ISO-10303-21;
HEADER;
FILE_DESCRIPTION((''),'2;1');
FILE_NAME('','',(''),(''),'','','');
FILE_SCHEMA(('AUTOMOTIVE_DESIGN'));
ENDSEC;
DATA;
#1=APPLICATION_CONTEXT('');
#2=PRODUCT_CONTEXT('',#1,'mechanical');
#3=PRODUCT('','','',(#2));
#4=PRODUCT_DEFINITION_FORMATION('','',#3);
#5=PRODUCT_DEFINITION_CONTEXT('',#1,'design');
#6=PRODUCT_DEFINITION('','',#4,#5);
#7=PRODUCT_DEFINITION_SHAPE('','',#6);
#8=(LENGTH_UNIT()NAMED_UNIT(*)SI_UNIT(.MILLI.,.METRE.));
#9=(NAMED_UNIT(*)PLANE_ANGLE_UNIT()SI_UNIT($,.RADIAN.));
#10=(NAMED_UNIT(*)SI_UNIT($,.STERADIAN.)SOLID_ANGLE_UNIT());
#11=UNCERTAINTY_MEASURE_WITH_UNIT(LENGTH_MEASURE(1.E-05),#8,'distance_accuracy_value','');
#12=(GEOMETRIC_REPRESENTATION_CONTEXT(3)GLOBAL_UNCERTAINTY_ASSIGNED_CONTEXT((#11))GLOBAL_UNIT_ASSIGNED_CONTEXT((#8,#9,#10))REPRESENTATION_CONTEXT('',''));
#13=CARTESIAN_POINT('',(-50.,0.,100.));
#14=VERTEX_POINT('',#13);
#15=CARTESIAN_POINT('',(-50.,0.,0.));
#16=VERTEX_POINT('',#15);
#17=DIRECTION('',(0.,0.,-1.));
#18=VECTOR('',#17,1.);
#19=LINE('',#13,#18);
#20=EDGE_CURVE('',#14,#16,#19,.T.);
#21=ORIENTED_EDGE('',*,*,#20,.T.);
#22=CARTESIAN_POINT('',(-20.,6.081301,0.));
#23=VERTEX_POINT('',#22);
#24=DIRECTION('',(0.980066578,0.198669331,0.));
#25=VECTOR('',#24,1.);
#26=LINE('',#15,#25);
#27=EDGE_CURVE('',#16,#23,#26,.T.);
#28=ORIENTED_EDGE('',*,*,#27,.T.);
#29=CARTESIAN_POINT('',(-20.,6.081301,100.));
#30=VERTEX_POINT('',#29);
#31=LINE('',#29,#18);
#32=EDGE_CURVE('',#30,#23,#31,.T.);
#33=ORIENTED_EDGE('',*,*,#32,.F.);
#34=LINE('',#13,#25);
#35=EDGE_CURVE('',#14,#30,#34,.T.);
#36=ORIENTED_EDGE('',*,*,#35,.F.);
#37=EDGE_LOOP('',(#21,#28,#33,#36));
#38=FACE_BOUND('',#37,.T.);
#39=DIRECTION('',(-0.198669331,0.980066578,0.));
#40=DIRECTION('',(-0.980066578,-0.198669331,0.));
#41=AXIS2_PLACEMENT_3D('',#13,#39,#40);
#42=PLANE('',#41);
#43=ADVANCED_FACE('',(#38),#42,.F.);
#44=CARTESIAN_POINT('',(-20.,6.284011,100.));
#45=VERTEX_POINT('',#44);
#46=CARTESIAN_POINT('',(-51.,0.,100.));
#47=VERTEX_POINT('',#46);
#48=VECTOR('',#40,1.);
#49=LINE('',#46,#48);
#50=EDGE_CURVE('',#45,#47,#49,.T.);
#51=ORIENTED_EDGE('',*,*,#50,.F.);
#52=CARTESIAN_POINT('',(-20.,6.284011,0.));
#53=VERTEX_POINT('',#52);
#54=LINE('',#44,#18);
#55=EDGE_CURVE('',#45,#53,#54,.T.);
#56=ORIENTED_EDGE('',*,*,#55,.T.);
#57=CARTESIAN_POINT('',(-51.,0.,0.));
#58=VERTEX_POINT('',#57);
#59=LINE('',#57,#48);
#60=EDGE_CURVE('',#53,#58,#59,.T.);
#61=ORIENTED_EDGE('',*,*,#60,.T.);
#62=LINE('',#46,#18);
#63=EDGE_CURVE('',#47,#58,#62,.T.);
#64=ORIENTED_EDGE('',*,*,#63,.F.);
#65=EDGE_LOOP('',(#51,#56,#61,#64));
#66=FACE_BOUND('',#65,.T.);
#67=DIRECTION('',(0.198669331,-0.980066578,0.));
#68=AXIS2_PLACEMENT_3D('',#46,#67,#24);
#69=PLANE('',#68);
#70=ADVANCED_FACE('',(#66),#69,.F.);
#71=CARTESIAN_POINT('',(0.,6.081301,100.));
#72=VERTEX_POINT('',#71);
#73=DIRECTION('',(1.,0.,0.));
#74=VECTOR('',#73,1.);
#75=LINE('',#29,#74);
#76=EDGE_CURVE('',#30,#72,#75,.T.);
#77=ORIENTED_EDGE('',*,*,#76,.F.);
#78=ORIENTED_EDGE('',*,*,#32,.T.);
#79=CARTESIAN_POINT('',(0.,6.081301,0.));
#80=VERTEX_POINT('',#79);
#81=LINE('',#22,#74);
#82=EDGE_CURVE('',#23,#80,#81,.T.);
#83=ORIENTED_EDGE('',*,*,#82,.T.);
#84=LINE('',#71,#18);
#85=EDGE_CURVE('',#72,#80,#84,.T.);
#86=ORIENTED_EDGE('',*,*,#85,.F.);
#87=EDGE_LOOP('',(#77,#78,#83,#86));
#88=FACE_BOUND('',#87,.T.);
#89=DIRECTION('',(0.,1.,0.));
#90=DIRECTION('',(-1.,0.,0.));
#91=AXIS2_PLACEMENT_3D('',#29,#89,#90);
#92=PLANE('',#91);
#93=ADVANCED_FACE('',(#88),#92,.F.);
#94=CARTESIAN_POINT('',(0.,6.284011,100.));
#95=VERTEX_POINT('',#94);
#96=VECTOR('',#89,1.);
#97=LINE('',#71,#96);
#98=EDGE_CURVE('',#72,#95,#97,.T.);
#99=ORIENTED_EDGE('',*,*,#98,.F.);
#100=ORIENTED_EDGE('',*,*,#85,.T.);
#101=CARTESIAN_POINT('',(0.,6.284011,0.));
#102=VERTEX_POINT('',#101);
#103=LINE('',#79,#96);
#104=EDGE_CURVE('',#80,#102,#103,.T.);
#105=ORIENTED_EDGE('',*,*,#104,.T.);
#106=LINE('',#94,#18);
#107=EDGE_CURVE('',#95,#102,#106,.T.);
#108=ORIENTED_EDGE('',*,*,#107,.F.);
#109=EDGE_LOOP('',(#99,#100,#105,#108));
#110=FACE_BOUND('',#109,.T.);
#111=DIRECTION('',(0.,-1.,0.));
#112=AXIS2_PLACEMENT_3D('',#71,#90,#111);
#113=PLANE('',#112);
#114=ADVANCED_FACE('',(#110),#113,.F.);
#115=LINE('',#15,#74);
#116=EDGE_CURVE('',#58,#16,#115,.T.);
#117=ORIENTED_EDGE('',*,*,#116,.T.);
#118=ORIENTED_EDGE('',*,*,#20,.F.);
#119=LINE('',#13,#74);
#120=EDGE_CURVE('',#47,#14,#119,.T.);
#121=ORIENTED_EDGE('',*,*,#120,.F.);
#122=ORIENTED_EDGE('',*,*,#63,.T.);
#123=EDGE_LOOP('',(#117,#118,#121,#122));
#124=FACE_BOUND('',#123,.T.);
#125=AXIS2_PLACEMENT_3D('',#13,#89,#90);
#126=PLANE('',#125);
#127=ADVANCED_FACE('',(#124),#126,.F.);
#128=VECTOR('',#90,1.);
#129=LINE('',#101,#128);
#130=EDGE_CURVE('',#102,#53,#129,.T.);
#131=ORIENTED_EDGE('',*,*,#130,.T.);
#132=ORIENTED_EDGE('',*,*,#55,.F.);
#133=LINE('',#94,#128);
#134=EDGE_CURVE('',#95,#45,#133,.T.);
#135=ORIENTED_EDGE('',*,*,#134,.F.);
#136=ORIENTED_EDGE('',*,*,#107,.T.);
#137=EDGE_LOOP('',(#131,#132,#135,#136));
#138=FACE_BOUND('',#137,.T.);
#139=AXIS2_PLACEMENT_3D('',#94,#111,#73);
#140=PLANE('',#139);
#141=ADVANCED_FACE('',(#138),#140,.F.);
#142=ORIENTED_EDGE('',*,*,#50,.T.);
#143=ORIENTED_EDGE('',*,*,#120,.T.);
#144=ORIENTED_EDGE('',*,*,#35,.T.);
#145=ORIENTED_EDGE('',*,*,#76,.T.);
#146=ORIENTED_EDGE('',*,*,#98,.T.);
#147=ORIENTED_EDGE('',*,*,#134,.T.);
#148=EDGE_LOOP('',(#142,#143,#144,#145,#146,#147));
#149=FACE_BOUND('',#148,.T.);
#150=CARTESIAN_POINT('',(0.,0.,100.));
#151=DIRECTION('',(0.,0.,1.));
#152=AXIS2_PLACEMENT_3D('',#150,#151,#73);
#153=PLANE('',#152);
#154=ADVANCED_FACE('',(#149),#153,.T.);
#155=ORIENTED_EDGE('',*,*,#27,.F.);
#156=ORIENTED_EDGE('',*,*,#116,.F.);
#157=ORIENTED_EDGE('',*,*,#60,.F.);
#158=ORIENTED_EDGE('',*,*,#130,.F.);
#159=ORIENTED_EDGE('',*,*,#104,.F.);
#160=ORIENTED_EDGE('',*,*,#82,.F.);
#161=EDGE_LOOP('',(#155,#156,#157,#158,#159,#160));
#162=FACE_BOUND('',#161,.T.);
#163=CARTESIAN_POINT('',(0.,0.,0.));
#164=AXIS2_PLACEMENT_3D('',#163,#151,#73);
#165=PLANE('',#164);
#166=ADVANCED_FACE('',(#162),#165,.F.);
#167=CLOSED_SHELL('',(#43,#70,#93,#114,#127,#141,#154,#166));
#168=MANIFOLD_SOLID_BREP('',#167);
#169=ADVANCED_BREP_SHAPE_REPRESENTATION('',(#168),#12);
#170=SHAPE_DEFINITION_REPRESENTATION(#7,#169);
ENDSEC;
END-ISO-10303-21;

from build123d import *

# Parameters (mm, degrees)
EXTRUDE_1_DEPTH = 100


with BuildPart() as part:
    # 草图1 → 凸台-拉伸1 (new body)
    with BuildSketch(Plane.XY):
        Polygon((-50, 0), (-20, 6.081301065), (0, 6.081301065), (0, 6.284011101), (-20, 6.284011101), (-51, 0), align=None)
    extrude(amount=EXTRUDE_1_DEPTH)


solid = part.part
